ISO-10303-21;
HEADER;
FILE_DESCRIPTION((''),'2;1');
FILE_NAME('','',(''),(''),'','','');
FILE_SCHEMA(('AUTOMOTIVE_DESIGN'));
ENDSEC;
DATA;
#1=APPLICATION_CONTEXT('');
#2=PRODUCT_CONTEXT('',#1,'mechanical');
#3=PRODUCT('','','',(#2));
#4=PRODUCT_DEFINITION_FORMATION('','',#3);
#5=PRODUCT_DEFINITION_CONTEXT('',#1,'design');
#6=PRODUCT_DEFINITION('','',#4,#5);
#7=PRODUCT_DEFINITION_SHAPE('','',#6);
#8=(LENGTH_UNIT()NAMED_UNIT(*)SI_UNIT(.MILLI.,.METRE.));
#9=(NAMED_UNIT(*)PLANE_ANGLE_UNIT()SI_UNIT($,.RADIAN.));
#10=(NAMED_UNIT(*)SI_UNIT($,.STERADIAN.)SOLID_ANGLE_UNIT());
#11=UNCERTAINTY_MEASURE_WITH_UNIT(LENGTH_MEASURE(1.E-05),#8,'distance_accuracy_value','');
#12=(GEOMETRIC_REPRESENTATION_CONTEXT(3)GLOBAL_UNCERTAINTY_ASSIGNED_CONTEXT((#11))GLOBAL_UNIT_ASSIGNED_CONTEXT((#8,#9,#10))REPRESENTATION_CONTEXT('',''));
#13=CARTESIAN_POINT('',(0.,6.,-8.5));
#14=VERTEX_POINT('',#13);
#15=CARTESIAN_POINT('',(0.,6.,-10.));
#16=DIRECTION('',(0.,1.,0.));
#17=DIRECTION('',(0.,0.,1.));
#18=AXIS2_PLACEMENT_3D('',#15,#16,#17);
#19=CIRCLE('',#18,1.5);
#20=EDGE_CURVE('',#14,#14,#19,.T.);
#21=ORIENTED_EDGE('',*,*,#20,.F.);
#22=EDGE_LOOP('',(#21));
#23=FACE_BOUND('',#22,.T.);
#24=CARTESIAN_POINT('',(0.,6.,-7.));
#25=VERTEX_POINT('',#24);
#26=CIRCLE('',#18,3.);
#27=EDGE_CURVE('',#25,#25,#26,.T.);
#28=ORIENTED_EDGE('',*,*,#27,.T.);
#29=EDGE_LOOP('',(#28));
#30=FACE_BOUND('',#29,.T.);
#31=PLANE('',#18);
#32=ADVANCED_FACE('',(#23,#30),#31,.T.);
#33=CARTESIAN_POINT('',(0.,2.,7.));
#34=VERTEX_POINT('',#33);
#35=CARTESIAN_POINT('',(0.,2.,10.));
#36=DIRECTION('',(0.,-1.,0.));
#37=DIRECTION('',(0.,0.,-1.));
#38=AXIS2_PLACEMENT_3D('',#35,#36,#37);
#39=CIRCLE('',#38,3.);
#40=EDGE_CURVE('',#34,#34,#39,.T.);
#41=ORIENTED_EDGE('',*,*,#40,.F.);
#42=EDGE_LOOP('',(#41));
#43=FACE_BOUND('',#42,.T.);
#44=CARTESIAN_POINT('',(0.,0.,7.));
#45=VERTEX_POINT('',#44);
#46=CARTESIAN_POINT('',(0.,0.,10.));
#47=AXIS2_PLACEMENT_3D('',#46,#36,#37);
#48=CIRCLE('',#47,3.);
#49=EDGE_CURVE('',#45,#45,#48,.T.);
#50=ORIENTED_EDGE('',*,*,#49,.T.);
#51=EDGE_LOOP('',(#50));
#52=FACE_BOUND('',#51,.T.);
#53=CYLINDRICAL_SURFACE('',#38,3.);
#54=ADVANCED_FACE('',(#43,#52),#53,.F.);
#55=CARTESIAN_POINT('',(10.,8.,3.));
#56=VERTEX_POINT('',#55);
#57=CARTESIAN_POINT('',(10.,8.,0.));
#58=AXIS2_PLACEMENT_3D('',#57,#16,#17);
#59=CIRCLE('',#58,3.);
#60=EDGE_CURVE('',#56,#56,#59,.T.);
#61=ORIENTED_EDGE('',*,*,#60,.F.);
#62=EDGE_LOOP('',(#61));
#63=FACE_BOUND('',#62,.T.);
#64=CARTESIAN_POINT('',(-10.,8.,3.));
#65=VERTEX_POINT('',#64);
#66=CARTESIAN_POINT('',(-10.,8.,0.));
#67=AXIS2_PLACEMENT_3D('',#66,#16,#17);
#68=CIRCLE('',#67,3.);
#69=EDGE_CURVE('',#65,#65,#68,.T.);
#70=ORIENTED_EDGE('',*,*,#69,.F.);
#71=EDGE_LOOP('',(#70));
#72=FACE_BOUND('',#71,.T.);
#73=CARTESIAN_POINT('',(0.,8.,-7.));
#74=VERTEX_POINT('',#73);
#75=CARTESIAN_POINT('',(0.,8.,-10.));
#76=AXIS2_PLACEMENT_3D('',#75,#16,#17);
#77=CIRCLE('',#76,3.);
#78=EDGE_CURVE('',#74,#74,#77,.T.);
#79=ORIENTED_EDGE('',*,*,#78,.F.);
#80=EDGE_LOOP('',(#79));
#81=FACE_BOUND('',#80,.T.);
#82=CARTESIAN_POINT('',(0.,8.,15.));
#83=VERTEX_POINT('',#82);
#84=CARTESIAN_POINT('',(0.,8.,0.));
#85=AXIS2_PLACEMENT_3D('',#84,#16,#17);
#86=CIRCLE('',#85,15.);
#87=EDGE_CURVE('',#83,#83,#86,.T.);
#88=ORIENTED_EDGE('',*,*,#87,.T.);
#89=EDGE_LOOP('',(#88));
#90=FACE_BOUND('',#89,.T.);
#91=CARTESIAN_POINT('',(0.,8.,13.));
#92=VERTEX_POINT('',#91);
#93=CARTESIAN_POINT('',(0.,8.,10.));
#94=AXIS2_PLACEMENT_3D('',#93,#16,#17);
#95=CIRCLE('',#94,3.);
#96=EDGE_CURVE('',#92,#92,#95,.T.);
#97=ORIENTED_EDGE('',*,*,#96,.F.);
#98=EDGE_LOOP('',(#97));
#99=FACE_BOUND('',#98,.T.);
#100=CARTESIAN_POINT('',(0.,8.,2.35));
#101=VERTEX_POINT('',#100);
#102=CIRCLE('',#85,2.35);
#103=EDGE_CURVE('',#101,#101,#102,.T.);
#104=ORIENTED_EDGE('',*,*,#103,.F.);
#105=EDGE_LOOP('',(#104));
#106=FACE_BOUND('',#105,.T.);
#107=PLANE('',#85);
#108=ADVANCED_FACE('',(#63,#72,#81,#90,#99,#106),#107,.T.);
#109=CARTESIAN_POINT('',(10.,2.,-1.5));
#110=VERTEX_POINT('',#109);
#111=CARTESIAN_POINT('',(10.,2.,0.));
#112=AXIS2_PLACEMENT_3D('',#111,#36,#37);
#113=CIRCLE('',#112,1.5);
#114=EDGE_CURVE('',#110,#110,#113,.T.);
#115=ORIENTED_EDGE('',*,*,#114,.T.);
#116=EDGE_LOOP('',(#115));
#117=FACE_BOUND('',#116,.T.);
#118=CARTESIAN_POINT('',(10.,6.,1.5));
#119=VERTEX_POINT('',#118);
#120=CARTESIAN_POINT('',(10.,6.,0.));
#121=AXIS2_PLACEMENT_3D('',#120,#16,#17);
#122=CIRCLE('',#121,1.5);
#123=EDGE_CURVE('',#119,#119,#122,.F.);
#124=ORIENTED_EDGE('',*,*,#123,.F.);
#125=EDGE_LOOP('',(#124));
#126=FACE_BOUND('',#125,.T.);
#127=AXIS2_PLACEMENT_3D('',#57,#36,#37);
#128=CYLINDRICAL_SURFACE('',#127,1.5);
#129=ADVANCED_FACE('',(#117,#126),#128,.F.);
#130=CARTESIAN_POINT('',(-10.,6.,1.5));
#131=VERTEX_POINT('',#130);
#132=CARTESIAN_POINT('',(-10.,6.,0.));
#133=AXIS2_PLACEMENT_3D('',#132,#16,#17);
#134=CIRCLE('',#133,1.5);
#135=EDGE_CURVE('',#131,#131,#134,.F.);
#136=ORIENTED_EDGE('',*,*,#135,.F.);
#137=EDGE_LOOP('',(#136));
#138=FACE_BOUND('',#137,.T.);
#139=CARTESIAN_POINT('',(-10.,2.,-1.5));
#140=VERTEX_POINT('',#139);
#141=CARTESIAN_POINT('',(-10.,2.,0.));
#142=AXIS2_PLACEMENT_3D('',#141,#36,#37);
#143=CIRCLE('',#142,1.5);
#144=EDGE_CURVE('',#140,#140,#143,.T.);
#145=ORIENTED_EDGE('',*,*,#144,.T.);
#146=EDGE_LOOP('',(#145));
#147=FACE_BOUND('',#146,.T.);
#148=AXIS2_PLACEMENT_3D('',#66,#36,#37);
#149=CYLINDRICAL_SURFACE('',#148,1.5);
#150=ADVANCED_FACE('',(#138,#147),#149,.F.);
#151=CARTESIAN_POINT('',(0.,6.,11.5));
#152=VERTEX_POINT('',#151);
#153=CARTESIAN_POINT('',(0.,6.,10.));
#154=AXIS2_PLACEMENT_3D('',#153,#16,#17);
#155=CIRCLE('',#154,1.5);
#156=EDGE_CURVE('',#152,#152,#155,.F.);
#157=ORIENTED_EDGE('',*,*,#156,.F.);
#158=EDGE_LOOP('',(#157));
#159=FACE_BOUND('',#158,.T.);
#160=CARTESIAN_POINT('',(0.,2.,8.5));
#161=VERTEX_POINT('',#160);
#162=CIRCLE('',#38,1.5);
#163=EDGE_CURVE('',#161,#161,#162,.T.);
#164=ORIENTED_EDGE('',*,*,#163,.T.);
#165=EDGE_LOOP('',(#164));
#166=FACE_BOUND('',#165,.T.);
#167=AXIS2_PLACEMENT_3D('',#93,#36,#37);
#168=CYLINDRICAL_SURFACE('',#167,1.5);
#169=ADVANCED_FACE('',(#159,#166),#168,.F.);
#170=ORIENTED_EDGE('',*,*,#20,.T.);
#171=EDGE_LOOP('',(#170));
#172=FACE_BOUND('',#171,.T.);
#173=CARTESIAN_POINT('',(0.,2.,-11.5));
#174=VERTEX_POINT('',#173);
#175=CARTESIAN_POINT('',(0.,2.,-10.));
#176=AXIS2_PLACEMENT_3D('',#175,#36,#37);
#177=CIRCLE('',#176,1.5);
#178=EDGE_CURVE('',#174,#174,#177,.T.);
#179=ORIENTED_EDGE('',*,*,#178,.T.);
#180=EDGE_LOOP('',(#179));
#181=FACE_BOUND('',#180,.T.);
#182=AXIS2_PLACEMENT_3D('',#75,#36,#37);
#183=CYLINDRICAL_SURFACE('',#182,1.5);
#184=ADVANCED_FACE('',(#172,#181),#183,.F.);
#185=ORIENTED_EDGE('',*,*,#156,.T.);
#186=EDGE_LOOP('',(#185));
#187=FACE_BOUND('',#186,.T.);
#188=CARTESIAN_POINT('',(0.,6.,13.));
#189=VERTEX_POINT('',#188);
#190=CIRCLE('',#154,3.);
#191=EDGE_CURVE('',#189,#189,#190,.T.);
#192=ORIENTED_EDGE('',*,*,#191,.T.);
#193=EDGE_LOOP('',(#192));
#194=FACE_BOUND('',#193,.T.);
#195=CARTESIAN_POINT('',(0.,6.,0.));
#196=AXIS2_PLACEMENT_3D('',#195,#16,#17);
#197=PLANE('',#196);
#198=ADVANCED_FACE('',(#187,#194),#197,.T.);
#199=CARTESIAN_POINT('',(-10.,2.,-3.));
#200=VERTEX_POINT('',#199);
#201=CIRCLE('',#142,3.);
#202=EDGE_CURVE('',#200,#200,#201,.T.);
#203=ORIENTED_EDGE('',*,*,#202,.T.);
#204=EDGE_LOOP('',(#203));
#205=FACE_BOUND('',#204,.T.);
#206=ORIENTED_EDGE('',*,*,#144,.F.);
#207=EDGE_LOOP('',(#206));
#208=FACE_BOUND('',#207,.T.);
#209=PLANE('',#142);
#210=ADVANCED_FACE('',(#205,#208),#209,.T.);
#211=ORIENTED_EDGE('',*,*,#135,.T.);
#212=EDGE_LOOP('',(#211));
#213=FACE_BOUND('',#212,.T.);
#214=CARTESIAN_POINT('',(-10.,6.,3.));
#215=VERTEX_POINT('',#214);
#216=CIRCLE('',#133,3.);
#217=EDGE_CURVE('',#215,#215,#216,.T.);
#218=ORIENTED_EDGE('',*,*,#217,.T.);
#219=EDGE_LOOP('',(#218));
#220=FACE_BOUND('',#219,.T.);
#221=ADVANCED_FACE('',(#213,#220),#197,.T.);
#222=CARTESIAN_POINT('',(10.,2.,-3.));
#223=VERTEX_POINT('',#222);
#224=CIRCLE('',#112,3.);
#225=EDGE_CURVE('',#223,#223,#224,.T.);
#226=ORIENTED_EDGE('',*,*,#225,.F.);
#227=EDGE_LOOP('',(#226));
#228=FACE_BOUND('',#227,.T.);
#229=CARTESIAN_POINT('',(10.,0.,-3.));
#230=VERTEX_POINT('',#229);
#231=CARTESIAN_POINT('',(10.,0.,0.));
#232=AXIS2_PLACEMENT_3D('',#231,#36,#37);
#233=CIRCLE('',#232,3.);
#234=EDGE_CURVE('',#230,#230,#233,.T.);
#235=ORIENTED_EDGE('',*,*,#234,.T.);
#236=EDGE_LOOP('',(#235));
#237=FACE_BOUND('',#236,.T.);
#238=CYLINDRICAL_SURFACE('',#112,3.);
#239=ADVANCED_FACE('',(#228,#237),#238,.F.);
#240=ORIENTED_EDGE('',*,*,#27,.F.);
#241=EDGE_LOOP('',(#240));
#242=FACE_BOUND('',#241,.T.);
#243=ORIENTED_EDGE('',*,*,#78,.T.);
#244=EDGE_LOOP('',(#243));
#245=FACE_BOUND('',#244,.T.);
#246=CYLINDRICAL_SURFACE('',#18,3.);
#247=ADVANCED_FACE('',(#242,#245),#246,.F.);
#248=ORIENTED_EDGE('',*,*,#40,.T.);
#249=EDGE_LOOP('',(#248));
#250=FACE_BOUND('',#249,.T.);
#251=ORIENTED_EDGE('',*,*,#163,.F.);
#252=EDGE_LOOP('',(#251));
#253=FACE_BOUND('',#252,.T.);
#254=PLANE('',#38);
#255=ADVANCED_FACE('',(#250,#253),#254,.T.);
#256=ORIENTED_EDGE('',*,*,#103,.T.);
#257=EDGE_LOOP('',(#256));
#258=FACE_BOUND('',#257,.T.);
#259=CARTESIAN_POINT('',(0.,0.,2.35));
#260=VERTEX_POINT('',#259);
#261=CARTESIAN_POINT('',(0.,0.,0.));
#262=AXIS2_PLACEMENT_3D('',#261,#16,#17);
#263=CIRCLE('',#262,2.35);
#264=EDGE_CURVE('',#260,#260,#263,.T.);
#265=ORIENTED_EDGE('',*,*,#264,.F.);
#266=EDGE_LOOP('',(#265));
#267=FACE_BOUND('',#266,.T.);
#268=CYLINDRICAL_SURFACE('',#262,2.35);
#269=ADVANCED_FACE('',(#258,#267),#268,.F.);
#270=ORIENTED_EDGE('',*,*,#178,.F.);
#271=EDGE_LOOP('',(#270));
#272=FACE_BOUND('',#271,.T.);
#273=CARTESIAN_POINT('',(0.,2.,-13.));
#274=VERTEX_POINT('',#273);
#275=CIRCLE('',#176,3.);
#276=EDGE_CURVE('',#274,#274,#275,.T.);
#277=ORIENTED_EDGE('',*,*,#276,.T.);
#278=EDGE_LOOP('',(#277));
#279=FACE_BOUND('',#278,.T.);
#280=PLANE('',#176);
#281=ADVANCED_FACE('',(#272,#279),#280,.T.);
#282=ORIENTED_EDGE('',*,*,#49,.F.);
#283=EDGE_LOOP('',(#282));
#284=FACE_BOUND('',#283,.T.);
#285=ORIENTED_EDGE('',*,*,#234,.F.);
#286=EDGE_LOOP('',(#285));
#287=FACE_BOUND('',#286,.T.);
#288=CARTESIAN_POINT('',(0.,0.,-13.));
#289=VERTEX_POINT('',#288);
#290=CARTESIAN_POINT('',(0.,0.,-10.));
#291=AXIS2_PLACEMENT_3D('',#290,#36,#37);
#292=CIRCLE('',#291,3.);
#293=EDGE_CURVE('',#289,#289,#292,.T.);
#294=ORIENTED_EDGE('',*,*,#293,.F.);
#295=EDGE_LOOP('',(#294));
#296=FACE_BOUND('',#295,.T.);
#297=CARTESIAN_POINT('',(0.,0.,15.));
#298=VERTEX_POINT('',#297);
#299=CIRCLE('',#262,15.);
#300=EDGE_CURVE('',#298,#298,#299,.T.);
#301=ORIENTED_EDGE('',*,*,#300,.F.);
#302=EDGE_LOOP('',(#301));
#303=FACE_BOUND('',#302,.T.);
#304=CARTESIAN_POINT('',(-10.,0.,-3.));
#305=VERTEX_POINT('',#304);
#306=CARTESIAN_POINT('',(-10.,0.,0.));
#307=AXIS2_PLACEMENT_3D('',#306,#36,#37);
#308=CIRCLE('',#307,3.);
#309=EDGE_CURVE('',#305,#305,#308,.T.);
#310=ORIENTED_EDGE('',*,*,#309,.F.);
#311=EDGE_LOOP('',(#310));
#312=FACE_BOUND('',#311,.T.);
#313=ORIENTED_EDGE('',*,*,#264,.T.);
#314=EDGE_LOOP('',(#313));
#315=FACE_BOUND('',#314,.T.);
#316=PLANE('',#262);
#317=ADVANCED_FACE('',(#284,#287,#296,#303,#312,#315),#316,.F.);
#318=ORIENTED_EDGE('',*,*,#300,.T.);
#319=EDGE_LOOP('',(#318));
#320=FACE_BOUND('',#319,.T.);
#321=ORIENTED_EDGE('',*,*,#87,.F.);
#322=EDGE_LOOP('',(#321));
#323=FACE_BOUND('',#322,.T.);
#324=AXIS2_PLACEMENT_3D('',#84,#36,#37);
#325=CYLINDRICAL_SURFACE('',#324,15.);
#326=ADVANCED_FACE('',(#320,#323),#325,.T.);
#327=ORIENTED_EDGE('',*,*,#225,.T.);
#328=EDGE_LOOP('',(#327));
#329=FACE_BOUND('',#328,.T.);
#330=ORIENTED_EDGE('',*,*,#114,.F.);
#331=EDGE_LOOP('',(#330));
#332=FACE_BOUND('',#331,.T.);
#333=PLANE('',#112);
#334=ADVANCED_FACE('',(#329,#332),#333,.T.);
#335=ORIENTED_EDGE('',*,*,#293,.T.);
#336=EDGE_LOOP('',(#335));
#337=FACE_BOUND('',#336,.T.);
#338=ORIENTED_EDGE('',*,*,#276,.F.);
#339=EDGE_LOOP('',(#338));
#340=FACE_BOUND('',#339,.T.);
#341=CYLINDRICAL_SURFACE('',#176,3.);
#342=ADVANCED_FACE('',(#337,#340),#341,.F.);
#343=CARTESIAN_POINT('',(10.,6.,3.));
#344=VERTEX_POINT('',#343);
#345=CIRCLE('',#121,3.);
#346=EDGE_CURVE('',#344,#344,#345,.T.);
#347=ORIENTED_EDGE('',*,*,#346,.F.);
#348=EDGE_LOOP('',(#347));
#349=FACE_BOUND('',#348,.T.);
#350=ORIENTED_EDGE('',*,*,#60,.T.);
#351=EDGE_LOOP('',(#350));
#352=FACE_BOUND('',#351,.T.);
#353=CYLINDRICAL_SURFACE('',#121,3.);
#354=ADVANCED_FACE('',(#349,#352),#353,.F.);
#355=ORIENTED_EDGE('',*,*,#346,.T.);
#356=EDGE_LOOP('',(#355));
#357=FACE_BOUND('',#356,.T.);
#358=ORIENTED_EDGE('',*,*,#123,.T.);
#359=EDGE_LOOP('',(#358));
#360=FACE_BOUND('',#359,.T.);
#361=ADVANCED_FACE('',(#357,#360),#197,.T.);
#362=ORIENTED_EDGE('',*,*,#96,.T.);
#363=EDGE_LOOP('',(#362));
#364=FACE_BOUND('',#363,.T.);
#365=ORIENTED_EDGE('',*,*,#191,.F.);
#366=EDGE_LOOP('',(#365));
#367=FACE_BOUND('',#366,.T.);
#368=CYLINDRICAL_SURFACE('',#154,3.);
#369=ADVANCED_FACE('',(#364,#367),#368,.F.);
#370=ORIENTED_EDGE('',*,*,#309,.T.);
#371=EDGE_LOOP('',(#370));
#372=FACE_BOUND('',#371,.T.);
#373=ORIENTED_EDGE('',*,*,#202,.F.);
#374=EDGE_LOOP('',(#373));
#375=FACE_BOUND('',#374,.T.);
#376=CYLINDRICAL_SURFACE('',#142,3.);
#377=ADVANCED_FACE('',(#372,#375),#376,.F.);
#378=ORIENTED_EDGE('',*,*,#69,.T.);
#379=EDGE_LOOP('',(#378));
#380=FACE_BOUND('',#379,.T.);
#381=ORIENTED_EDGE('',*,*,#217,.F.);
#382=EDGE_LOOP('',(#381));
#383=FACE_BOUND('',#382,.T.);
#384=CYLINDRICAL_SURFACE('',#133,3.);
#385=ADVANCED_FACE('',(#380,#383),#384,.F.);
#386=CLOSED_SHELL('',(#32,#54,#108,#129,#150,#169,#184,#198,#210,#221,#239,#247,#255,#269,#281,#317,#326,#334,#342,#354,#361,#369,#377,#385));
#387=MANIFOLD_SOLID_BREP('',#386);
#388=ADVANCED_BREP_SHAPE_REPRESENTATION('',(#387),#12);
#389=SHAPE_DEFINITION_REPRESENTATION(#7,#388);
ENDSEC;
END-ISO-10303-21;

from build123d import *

# Parameters (mm, degrees)
SKETCH1_R           = 15
SKETCH1_R_2         = 1.5
BOSS_EXTRUDE1_DEPTH = 8
SKETCH2_R           = 2.35
CUT_EXTRUDE1_DEPTH  = 23.671568098
CUT_EXTRUDE2_START  = -2
SKETCH3_R           = 3
SKETCH3_R_2         = 1.5
CUT_EXTRUDE2_DEPTH  = 2
SKETCH4_R           = 3
CUT_EXTRUDE3_DEPTH  = 2


with BuildPart() as part:
    # Sketch1 → Boss-Extrude1 (new body)
    with BuildSketch(Plane(origin=(0, 0, 0), x_dir=(1, 0, 0), z_dir=(0, 1, 0))):
        with Locations(Location((0, 0, 0), (0, 0, 270))):
            Circle(SKETCH1_R)
        with Locations(Location((0, 10, 0), (0, 0, 270))):
            Circle(SKETCH1_R_2, mode=Mode.SUBTRACT)
        with Locations(Location((10, 0, 0), (0, 0, 270))):
            Circle(SKETCH1_R_2, mode=Mode.SUBTRACT)
        with Locations(Location((0, -10, 0), (0, 0, 270))):
            Circle(SKETCH1_R_2, mode=Mode.SUBTRACT)
        with Locations(Location((-10, 0, 0), (0, 0, 270))):
            Circle(SKETCH1_R_2, mode=Mode.SUBTRACT)
    extrude(amount=BOSS_EXTRUDE1_DEPTH)

    # Sketch2 → Cut-Extrude1 (cut, through all)
    with BuildSketch(Plane(origin=(0, 8, 0), x_dir=(1, 0, 0), z_dir=(0, 1, 0))):
        with Locations(Location((0, 0, 0), (0, 0, 270))):
            Circle(SKETCH2_R)
    extrude(amount=-CUT_EXTRUDE1_DEPTH, mode=Mode.SUBTRACT)

    # Sketch3 → Cut-Extrude2 (cut)
    # profile 1 of 4: a face of its own
    with BuildSketch(Plane(origin=(0, 8, 0), x_dir=(1, 0, 0), z_dir=(0, 1, 0)).offset(CUT_EXTRUDE2_START)):
        with Locations(Location((-10, 0, 0), (0, 0, 270))):
            Circle(SKETCH3_R)
        with Locations(Location((-10, 0, 0), (0, 0, 270))):
            Circle(SKETCH3_R_2, mode=Mode.SUBTRACT)
    # profile 2 of 4: a face of its own
    with BuildSketch(Plane(origin=(0, 8, 0), x_dir=(1, 0, 0), z_dir=(0, 1, 0)).offset(CUT_EXTRUDE2_START)):
        with Locations(Location((0, -10, 0), (0, 0, 270))):
            Circle(SKETCH3_R)
        with Locations(Location((0, -10, 0), (0, 0, 270))):
            Circle(SKETCH3_R_2, mode=Mode.SUBTRACT)
    # profile 3 of 4: a face of its own
    with BuildSketch(Plane(origin=(0, 8, 0), x_dir=(1, 0, 0), z_dir=(0, 1, 0)).offset(CUT_EXTRUDE2_START)):
        with Locations(Location((10, 0, 0), (0, 0, 270))):
            Circle(SKETCH3_R)
        with Locations(Location((10, 0, 0), (0, 0, 270))):
            Circle(SKETCH3_R_2, mode=Mode.SUBTRACT)
    # profile 4 of 4: a face of its own
    with BuildSketch(Plane(origin=(0, 8, 0), x_dir=(1, 0, 0), z_dir=(0, 1, 0)).offset(CUT_EXTRUDE2_START)):
        with Locations(Location((0, 10, 0), (0, 0, 270))):
            Circle(SKETCH3_R)
    extrude(amount=CUT_EXTRUDE2_DEPTH, mode=Mode.SUBTRACT)

    # Sketch4 → Cut-Extrude3 (cut)
    with BuildSketch(Plane.XZ):
        with Locations(Location((0, 10, 0), (0, 0, 90))):
            Circle(SKETCH4_R)
        with Locations(Location((10, 0, 0), (0, 0, 90))):
            Circle(SKETCH4_R)
        with Locations(Location((0, -10, 0), (0, 0, 90))):
            Circle(SKETCH4_R)
        with Locations(Location((-10, 0, 0), (0, 0, 90))):
            Circle(SKETCH4_R)
    extrude(amount=-CUT_EXTRUDE3_DEPTH, mode=Mode.SUBTRACT)


solid = part.part
